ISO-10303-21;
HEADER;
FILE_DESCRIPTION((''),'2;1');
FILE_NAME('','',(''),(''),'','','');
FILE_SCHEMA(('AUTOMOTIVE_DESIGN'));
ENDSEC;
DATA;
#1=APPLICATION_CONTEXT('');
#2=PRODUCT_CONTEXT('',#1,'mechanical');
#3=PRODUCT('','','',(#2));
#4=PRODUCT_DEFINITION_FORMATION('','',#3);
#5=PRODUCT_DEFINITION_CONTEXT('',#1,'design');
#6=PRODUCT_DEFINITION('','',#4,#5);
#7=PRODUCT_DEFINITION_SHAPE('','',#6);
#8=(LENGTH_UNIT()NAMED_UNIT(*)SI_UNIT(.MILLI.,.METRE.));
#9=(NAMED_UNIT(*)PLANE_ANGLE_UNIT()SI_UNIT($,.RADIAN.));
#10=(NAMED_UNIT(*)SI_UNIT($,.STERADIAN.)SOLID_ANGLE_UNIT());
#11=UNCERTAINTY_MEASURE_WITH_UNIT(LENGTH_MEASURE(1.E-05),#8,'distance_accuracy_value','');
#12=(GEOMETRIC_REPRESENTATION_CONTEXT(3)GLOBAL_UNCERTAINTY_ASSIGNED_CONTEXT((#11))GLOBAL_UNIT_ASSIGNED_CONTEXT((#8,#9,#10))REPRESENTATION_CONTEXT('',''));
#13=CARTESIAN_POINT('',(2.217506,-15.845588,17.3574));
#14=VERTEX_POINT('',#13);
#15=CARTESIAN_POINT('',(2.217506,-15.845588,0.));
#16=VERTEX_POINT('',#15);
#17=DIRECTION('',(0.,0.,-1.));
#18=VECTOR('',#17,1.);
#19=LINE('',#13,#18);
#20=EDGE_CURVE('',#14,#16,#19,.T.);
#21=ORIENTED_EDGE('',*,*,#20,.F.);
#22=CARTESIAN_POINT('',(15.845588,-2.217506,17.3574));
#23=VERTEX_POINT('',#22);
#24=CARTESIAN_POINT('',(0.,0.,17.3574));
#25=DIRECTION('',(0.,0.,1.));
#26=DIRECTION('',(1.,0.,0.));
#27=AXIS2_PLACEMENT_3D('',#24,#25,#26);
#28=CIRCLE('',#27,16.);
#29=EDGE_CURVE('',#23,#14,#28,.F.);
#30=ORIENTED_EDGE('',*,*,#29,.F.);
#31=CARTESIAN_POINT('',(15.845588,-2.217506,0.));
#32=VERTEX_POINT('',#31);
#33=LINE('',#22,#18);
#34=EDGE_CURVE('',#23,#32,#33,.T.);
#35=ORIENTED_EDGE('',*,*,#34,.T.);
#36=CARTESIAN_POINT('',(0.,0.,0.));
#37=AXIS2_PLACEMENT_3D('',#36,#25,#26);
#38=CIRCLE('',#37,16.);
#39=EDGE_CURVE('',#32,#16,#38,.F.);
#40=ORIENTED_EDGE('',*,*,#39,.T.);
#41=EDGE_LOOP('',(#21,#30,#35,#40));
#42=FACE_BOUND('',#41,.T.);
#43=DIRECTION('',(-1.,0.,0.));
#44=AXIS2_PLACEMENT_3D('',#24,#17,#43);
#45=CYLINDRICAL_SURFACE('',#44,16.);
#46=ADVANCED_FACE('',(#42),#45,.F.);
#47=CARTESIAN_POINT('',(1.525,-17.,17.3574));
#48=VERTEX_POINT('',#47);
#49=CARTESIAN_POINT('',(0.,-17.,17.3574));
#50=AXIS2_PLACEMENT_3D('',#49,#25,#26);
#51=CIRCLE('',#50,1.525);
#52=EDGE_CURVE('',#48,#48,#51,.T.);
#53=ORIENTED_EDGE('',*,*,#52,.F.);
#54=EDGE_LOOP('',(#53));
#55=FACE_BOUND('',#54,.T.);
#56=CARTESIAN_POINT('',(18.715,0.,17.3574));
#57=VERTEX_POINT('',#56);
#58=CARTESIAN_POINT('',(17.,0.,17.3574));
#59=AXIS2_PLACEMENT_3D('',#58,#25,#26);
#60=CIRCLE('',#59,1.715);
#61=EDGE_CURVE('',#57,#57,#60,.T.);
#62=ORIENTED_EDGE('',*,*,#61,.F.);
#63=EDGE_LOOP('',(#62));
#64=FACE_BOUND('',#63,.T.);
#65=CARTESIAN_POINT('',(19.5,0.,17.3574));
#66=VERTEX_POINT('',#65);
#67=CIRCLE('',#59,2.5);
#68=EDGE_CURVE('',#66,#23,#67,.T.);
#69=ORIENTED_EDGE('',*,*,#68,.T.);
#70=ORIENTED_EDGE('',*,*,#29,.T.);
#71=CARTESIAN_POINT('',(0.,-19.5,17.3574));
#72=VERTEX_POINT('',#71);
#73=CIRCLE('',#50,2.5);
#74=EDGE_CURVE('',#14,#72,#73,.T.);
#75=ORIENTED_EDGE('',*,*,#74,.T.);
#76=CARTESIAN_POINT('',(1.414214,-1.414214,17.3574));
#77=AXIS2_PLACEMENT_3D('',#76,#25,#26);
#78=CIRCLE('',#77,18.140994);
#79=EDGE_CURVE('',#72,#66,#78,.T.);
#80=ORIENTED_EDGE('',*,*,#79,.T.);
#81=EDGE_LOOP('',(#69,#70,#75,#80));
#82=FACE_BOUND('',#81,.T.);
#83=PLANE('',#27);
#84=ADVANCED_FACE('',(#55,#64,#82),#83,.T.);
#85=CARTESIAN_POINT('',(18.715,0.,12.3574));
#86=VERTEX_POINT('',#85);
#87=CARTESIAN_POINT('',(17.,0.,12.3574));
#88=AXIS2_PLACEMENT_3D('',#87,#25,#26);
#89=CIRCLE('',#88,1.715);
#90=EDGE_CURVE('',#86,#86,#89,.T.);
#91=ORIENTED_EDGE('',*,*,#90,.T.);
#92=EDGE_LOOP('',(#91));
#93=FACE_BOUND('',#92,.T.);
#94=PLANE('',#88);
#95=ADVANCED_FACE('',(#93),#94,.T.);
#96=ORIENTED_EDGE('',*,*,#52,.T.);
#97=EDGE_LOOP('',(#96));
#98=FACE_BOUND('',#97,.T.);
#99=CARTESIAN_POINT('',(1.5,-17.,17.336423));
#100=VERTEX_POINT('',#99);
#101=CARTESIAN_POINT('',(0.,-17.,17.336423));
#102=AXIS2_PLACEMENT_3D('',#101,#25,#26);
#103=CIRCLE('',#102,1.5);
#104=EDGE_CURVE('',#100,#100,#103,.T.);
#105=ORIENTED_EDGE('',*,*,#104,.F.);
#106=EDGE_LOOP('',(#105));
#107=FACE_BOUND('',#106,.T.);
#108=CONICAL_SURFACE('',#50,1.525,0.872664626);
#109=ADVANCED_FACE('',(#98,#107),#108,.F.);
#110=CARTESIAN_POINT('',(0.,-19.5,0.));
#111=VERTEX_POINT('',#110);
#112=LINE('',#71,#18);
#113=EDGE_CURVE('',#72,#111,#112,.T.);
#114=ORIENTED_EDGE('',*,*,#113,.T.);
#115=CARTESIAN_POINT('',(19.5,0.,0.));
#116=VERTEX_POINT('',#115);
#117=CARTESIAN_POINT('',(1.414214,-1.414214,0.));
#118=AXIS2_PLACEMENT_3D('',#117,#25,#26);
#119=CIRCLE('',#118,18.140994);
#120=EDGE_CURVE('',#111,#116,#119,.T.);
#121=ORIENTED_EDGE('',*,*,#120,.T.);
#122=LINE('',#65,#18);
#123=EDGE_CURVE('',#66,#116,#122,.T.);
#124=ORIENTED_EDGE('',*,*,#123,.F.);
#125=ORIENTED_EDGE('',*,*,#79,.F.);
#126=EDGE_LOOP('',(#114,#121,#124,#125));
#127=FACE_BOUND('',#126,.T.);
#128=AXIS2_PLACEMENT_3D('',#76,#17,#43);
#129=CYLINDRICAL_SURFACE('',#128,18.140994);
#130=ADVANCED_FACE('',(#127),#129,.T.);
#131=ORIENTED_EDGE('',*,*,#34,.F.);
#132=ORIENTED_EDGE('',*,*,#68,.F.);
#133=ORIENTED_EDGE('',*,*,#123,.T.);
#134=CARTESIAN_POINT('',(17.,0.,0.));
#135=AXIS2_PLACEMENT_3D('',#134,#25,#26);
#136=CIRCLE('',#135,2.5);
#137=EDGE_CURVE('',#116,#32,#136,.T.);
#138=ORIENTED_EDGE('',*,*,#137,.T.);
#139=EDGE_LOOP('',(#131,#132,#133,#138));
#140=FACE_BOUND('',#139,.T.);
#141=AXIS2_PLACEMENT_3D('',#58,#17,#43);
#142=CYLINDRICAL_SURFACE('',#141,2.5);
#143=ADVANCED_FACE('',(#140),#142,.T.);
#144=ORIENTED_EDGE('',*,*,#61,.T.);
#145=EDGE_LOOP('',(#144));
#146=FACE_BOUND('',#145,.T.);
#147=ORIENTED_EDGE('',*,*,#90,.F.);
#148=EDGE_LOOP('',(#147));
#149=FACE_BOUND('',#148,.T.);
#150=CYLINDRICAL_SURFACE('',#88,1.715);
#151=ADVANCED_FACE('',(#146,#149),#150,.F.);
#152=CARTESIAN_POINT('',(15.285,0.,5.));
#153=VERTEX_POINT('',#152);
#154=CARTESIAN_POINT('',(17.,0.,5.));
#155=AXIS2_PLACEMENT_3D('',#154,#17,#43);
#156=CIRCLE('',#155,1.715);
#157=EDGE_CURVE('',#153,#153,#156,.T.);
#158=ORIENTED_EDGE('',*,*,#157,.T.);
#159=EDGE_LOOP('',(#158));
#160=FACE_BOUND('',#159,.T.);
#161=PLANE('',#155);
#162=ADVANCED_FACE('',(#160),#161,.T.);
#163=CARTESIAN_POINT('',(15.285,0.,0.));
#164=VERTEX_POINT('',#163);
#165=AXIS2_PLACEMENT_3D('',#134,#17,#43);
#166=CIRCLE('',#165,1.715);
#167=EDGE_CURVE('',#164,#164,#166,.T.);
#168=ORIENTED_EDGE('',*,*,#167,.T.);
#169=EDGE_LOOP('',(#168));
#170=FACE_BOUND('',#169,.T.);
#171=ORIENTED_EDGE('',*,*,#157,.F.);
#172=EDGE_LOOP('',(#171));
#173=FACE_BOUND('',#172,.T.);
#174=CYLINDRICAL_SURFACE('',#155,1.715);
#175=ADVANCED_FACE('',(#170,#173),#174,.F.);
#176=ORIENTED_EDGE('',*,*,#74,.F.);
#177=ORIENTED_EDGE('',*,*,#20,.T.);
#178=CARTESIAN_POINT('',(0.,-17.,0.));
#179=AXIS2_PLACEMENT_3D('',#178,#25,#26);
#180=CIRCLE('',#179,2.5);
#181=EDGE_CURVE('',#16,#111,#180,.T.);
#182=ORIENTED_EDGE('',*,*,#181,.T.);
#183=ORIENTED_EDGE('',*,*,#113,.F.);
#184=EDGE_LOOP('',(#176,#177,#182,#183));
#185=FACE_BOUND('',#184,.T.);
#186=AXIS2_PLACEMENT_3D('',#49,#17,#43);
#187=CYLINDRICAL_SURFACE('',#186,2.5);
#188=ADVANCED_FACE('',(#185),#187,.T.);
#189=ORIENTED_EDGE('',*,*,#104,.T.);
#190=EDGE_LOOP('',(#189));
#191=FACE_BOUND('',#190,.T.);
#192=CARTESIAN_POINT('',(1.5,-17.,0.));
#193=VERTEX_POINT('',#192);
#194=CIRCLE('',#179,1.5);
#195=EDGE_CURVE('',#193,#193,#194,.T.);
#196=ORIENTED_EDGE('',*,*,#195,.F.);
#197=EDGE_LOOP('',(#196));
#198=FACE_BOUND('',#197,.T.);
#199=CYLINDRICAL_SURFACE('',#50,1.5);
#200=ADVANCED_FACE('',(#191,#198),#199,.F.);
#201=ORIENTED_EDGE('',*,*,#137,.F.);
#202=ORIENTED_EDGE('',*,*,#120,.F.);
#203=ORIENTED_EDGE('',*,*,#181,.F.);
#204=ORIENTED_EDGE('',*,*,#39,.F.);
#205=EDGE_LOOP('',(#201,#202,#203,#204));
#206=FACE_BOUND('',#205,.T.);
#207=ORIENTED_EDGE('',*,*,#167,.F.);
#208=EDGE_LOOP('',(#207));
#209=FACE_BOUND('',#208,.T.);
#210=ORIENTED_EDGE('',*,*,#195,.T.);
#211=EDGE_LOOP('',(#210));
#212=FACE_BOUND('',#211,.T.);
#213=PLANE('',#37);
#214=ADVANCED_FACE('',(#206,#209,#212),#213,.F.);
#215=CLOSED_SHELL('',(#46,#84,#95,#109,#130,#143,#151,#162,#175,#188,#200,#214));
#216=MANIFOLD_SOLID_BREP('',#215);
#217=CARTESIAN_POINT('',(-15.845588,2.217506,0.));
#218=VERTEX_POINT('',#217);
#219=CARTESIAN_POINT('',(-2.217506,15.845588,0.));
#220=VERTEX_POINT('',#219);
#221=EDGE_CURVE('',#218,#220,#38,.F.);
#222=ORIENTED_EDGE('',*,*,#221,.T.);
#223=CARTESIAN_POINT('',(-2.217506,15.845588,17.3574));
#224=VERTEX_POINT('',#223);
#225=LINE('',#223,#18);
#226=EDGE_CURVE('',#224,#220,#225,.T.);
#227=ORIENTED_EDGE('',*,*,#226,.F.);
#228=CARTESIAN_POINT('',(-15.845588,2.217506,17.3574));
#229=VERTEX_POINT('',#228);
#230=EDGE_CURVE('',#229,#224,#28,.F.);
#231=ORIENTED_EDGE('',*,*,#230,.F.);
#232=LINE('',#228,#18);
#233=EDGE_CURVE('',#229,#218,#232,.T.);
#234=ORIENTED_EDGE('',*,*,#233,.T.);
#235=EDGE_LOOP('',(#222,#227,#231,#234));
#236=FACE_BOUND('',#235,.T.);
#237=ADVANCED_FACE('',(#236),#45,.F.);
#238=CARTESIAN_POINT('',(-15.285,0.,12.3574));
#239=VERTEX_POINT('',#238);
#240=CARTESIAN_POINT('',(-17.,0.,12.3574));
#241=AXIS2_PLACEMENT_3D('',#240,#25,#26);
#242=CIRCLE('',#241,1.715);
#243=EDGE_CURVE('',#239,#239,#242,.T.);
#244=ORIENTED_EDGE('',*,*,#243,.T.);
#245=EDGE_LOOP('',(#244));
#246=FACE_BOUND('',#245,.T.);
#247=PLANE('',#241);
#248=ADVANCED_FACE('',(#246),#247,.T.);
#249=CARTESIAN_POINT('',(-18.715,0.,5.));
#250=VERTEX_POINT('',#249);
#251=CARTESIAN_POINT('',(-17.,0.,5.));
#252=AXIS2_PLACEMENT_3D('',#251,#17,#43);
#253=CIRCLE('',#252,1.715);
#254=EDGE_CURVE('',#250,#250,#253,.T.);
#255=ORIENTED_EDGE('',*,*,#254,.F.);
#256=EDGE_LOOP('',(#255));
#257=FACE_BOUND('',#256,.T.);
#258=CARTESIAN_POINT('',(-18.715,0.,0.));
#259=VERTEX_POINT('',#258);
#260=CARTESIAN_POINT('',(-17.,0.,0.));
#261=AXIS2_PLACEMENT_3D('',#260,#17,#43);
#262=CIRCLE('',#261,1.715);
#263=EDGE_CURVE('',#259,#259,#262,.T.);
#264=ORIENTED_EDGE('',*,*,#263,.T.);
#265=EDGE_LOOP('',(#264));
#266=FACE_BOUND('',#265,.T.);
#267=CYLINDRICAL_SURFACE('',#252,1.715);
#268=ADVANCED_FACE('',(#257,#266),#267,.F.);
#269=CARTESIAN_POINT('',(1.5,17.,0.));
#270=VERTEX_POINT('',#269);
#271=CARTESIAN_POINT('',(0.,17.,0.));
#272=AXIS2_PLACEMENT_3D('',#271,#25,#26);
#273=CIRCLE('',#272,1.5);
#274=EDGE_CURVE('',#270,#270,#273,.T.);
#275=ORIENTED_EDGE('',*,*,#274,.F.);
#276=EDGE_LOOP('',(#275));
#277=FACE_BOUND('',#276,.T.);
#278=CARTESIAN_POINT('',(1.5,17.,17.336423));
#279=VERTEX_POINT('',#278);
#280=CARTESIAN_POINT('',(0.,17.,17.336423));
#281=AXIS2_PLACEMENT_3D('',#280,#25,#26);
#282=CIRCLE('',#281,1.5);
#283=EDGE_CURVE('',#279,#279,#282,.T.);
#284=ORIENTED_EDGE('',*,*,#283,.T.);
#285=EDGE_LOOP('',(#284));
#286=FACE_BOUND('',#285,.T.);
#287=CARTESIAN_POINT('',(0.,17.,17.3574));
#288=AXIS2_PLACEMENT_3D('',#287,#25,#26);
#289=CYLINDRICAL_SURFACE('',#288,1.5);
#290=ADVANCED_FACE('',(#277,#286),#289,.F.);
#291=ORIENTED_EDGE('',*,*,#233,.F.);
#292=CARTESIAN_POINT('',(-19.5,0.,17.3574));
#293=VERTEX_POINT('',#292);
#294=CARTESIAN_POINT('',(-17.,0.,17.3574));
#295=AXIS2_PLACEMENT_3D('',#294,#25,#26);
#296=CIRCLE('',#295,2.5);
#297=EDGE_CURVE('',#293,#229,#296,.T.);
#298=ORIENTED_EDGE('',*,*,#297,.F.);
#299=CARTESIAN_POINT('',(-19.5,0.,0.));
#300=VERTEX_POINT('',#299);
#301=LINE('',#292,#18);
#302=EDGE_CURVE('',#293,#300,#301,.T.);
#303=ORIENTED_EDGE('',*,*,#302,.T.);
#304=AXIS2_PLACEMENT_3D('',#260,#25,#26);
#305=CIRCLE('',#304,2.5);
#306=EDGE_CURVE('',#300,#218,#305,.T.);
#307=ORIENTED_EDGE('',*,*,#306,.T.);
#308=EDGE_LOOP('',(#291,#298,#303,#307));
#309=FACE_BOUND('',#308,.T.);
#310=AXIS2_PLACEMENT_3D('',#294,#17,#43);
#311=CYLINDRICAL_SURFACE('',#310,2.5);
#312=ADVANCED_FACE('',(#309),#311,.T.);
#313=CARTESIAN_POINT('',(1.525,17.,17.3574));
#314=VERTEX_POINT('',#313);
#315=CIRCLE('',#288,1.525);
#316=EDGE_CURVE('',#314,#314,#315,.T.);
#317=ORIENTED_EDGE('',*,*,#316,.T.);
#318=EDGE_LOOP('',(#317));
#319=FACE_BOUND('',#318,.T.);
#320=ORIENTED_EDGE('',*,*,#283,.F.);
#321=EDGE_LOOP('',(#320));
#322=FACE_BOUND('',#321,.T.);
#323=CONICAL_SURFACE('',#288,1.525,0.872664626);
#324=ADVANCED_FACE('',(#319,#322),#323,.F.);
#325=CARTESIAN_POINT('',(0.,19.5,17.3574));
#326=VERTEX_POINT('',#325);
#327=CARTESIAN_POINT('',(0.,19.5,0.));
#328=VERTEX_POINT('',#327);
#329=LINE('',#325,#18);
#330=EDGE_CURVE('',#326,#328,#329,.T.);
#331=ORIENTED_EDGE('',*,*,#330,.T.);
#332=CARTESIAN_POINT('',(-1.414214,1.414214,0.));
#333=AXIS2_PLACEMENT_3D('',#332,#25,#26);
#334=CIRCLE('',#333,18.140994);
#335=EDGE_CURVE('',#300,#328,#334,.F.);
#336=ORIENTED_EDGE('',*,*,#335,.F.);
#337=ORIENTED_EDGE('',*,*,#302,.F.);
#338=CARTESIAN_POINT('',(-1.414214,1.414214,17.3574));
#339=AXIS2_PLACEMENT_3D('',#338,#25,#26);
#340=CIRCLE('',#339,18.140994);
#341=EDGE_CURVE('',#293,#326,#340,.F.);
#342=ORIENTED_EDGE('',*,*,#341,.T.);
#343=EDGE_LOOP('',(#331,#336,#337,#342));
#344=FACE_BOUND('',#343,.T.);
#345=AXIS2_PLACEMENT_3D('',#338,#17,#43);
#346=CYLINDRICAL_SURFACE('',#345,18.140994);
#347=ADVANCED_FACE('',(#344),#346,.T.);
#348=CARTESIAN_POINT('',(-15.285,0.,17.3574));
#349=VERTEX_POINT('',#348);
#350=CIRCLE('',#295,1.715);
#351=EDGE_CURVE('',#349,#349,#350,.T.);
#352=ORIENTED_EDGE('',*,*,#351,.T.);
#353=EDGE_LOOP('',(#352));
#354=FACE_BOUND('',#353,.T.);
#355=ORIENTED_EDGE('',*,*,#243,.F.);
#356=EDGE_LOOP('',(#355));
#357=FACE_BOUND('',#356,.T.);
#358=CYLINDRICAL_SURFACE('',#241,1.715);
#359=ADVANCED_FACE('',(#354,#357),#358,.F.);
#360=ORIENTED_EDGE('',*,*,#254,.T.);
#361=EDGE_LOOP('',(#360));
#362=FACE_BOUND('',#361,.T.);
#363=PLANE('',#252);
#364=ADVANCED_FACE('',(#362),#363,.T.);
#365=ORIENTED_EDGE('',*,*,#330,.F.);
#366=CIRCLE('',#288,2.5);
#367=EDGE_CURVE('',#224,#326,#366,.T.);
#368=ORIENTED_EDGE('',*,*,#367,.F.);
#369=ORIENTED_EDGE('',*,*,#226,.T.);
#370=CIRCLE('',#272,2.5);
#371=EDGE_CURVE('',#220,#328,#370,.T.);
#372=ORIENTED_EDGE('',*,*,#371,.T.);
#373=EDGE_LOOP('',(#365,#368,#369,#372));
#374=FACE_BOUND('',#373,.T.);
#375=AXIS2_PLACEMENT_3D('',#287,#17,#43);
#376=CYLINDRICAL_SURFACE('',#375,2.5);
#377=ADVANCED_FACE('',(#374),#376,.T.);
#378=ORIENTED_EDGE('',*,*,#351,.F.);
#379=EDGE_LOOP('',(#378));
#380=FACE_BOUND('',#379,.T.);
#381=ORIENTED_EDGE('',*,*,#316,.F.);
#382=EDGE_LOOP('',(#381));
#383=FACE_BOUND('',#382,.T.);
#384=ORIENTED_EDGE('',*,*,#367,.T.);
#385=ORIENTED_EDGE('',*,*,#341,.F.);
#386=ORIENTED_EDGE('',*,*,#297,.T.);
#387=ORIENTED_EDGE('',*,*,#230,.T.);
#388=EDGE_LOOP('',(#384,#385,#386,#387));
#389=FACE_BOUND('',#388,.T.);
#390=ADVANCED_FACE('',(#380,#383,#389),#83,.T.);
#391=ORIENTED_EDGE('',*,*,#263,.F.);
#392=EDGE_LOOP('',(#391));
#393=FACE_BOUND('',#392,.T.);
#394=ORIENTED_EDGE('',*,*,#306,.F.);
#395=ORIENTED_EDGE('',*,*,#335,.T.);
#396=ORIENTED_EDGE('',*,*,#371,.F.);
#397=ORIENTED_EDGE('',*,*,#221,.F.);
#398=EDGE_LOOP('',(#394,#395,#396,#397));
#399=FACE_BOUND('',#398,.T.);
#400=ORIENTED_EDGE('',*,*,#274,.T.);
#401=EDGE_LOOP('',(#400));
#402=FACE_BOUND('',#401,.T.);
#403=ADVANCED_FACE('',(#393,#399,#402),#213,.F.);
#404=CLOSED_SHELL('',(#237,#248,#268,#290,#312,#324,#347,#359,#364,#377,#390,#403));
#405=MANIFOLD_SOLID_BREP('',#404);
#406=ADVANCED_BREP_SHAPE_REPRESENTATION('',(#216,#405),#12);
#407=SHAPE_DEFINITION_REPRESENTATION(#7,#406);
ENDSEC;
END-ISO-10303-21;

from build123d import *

# Parameters (mm, degrees)
SKETCH1_R                       = 2.5
BOSS_EXTRUDE1_DEPTH             = 17.3574
F_3_0MM_DOWEL_HOLE1_D           = 3
F_3_0MM_DOWEL_HOLE1_CSINK_D     = 3.05
F_3_0MM_DOWEL_HOLE1_CSINK_ANGLE = 100
SKETCH6_R                       = 1.715
CUT_EXTRUDE1_DEPTH              = 5
CUT_EXTRUDE2_START              = -5
SKETCH7_R                       = 1.715
CUT_EXTRUDE2_DEPTH              = 5


with BuildPart() as part:
    # Sketch1 → Boss-Extrude1 (new body)
    with BuildSketch(Plane(origin=(0, 0, 0), x_dir=(0, 1, 0), z_dir=(0, 0, 1))):
        with Locations((0, 17)):
            Circle(SKETCH1_R)
        with BuildLine():
            ThreePointArc((0, 19.5), (1.767766953, 18.767766953), (2.5, 17))
            ThreePointArc((2.5, 17), (2.428349784, 16.405763241), (2.217506139, 15.845588235))
            ThreePointArc((2.217506139, 15.845588235), (11.313708499, 11.313708499), (15.845588235, 2.217506139))
            ThreePointArc((15.845588235, 2.217506139), (18.296913757, 2.137291441), (19.5, 0))
            ThreePointArc((19.5, 0), (14.241833588, 14.241833588), (0, 19.5))
        make_face()
        with Locations((17, 0)):
            Circle(SKETCH1_R)
        with Locations((-17, 0)):
            Circle(SKETCH1_R)
        with Locations((0, -17)):
            Circle(SKETCH1_R)
        with BuildLine():
            ThreePointArc((0, -19.5), (-2.137291441, -18.296913757), (-2.217506139, -15.845588235))
            ThreePointArc((-2.217506139, -15.845588235), (-11.313708499, -11.313708499), (-15.845588235, -2.217506139))
            ThreePointArc((-15.845588235, -2.217506139), (-18.296913757, -2.137291441), (-19.5, 0))
            ThreePointArc((-19.5, 0), (-14.241833588, -14.241833588), (0, -19.5))
        make_face()
    extrude(amount=BOSS_EXTRUDE1_DEPTH)

    # Ø3.0mm Dowel Hole1 (through all)
    with Locations(Plane.XY.offset(17.3574)):
        with Locations((0, 17), (0, -17)):
            CounterSinkHole(F_3_0MM_DOWEL_HOLE1_D / 2, F_3_0MM_DOWEL_HOLE1_CSINK_D / 2, counter_sink_angle=F_3_0MM_DOWEL_HOLE1_CSINK_ANGLE)

    # Sketch6 → Cut-Extrude1 (cut)
    with BuildSketch(Plane.XY.offset(17.3574)):
        with Locations((-17, 0)):
            Circle(SKETCH6_R)
        with Locations((17, 0)):
            Circle(SKETCH6_R)
    extrude(amount=-CUT_EXTRUDE1_DEPTH, mode=Mode.SUBTRACT)

    # Sketch7 → Cut-Extrude2 (cut)
    with BuildSketch(Plane(origin=(0, 0, 0), x_dir=(1, 0, 0), z_dir=(0, 0, -1)).offset(CUT_EXTRUDE2_START)):
        with Locations((-17, 0)):
            Circle(SKETCH7_R)
        with Locations((17, 0)):
            Circle(SKETCH7_R)
    extrude(amount=CUT_EXTRUDE2_DEPTH, mode=Mode.SUBTRACT)


solid = part.part
